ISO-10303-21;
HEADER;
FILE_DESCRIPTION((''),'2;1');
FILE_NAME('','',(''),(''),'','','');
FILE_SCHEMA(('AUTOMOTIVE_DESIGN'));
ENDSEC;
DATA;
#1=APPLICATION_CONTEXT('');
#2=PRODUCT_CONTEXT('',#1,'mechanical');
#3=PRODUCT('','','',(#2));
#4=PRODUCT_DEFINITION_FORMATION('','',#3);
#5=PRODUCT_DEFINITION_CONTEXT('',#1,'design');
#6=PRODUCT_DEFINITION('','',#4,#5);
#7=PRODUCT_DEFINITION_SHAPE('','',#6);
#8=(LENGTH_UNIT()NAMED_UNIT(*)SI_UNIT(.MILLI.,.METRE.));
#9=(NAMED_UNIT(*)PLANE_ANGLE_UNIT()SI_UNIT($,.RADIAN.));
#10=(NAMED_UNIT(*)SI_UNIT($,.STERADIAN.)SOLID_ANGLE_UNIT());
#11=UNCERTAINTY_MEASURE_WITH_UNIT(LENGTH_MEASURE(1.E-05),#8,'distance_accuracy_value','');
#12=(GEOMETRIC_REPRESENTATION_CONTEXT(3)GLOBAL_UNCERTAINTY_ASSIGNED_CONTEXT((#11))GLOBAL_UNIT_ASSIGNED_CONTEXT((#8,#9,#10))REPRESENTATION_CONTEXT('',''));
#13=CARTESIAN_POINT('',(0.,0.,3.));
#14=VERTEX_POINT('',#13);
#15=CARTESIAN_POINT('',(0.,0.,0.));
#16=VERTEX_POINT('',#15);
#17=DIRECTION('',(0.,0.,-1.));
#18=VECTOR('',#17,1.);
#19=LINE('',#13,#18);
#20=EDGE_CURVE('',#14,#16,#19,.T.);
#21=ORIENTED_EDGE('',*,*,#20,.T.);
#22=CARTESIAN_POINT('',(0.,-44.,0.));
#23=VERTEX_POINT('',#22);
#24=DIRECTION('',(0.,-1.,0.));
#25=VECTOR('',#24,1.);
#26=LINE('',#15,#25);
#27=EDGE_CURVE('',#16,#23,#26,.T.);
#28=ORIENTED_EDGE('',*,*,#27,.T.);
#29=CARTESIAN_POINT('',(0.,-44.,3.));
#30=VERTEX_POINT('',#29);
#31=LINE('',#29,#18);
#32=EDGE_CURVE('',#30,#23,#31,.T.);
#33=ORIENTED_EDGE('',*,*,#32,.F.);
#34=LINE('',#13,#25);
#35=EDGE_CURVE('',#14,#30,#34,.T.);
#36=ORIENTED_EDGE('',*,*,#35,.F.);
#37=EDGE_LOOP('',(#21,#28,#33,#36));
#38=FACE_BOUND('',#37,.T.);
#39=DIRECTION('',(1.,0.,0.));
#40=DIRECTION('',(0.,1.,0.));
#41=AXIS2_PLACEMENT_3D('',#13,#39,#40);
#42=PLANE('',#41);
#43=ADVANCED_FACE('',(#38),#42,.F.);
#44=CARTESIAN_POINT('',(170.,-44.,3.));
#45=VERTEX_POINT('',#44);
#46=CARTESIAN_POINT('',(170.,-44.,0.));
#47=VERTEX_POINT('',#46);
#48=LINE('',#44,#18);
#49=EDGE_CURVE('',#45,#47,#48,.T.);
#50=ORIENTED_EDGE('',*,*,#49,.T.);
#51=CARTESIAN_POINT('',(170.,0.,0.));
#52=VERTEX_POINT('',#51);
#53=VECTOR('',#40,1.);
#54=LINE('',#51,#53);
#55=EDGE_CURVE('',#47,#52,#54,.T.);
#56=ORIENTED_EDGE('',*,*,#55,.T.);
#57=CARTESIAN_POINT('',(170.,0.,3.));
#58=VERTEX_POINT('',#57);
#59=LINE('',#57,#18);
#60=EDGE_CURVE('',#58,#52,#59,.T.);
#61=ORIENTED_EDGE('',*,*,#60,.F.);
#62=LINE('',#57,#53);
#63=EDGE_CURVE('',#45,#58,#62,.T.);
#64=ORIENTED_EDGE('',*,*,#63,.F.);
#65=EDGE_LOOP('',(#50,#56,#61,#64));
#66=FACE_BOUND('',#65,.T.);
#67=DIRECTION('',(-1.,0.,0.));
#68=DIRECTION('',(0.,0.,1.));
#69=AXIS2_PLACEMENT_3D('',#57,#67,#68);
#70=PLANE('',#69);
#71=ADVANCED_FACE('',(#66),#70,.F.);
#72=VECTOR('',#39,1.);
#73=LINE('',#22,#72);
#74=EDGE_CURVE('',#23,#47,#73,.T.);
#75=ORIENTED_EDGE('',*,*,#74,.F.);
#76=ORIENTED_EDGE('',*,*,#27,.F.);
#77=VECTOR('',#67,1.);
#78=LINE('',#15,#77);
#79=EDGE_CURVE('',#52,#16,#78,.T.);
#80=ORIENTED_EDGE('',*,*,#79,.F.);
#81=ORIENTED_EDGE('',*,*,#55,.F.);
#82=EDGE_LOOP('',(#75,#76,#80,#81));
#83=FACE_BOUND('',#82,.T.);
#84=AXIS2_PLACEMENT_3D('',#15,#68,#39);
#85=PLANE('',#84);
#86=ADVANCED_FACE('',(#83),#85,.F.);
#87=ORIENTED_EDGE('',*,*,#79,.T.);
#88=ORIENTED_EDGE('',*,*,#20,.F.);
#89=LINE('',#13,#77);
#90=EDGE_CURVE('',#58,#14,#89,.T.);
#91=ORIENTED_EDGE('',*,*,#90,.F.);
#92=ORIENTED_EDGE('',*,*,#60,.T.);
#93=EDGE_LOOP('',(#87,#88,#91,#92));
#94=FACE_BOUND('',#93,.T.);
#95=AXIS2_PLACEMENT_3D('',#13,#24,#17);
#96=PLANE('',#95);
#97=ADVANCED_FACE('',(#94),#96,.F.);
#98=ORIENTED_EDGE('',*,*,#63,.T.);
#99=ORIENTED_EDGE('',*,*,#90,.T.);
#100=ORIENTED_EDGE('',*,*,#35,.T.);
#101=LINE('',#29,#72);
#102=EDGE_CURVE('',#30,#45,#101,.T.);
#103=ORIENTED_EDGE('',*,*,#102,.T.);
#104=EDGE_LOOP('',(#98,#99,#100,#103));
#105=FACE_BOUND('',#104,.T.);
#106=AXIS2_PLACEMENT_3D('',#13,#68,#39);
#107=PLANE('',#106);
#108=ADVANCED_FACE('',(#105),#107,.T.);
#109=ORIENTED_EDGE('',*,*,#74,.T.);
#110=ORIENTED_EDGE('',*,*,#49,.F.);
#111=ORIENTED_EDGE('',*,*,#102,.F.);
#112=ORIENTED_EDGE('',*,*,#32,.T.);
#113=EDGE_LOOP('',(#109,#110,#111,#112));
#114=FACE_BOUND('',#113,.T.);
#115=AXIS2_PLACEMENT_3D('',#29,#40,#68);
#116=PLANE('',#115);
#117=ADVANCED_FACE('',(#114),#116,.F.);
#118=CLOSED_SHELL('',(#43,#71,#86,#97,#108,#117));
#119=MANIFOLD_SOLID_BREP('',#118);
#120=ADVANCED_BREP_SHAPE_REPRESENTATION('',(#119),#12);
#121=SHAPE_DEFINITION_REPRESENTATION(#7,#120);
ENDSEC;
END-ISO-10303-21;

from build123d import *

# Parameters (mm, degrees)
SKETCH_1_W      = 170
SKETCH_1_H      = 44
EXTRUDE_1_DEPTH = 3


with BuildPart() as part:
    # 草图1 → 凸台-拉伸1 (new body)
    with BuildSketch(Plane.XY):
        with Locations((85, -22)):
            Rectangle(SKETCH_1_W, SKETCH_1_H)
    extrude(amount=EXTRUDE_1_DEPTH)


solid = part.part
